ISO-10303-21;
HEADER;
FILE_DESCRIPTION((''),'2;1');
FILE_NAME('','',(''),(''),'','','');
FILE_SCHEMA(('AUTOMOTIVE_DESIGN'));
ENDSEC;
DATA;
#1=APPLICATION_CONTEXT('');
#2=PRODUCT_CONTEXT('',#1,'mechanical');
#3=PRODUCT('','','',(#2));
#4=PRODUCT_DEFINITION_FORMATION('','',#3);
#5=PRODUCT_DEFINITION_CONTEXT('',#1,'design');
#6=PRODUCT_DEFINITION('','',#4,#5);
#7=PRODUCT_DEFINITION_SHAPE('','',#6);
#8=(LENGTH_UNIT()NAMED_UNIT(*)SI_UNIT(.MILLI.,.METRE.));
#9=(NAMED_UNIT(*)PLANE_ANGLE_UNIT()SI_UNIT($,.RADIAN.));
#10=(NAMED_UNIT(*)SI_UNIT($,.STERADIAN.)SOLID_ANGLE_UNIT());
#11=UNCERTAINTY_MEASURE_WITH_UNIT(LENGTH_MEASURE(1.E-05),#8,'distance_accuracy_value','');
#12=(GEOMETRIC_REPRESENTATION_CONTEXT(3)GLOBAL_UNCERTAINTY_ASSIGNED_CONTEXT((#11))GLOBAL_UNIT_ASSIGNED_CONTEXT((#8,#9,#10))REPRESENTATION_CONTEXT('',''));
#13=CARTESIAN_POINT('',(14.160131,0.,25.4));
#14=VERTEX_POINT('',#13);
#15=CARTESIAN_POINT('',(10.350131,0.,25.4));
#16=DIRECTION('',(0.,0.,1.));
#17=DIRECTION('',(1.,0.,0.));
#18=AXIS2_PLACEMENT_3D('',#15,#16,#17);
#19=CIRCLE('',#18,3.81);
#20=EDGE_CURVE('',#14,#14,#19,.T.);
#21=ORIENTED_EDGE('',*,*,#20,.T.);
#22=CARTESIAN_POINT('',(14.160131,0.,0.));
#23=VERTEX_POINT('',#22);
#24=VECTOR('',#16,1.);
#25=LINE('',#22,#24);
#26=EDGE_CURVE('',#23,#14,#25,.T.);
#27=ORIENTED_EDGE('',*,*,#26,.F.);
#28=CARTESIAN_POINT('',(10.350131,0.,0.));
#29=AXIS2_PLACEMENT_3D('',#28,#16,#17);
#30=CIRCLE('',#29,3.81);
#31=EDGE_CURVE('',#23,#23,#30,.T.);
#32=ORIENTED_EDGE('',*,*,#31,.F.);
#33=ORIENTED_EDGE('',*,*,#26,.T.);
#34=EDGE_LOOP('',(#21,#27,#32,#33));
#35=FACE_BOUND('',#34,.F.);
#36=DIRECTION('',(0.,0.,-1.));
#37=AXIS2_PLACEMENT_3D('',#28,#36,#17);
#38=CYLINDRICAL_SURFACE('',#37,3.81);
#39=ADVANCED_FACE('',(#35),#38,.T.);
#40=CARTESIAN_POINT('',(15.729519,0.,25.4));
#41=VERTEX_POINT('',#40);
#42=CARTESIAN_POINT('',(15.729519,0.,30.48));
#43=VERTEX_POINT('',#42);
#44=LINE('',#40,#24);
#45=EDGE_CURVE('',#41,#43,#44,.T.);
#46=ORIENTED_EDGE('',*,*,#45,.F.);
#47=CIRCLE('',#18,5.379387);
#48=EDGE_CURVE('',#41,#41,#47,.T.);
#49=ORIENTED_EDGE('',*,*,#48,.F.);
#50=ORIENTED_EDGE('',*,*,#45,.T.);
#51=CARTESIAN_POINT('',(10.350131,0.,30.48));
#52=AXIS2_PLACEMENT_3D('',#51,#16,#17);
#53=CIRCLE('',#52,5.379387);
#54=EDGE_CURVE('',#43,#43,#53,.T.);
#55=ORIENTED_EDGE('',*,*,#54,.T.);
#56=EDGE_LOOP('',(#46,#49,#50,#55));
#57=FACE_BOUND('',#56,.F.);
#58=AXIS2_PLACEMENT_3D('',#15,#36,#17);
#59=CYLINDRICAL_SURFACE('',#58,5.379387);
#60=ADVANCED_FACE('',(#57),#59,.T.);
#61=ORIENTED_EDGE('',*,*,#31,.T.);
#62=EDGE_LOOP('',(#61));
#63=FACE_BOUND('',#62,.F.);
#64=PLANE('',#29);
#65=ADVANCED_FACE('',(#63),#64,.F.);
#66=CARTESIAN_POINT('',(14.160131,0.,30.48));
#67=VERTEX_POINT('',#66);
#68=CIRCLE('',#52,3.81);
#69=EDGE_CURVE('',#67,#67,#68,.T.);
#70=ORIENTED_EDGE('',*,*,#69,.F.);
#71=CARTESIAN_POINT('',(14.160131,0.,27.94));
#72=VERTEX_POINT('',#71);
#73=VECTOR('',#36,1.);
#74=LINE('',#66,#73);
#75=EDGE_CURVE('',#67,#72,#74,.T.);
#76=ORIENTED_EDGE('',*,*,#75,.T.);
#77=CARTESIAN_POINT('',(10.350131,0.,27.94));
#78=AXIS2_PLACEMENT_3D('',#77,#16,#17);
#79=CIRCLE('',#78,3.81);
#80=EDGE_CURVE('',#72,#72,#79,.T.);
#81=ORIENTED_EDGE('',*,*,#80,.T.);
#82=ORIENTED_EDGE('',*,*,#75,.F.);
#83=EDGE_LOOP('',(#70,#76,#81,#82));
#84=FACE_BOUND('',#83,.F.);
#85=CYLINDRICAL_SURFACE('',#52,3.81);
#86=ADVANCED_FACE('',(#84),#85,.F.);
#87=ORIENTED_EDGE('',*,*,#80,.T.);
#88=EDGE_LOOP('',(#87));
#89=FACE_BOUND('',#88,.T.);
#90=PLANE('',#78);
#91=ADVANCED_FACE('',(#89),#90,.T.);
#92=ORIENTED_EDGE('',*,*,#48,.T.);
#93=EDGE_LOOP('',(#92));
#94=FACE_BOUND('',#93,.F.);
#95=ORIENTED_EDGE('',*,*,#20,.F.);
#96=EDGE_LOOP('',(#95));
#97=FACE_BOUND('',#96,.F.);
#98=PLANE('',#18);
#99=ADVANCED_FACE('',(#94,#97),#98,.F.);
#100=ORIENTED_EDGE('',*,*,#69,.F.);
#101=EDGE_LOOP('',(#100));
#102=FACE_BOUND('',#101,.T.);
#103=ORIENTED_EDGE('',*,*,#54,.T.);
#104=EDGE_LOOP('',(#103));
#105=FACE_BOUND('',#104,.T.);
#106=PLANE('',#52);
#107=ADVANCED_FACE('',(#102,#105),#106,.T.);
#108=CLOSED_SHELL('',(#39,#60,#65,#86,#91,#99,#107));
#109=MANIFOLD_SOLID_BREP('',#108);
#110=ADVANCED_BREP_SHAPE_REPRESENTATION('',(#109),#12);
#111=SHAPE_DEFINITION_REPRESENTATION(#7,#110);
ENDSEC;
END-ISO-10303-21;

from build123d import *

# Parameters (mm, degrees)
F0_R     = 3.81
F1_DEPTH = 25.4
F2_R     = 5.3793870979
F2_R_2   = 3.81
F3_DEPTH = 5.08
F4_R     = 3.81
F5_DEPTH = 2.54


with BuildPart() as f1:
    # F0 (on Top) → F1 (new body)
    with BuildSketch(Plane.XY):
        with Locations((10.3501314297, 0)):
            Circle(F0_R)
    extrude(amount=F1_DEPTH)

    # F2 (on face) → F3 (join)
    with BuildSketch(Plane.XY.offset(25.4)):
        with Locations((10.3501314297, 0)):
            Circle(F2_R)
        with Locations((10.3501314297, 0)):
            Circle(F2_R_2, mode=Mode.SUBTRACT)
        with Locations((10.3501314297, 0)):
            Circle(F2_R_2)
    extrude(amount=F3_DEPTH)

    # F4 (on face) → F5 (cut)
    with BuildSketch(Plane.XY.offset(30.48)):
        with Locations((10.3501314297, 0)):
            Circle(F4_R)
    extrude(amount=-F5_DEPTH, mode=Mode.SUBTRACT)


solid = f1.part
